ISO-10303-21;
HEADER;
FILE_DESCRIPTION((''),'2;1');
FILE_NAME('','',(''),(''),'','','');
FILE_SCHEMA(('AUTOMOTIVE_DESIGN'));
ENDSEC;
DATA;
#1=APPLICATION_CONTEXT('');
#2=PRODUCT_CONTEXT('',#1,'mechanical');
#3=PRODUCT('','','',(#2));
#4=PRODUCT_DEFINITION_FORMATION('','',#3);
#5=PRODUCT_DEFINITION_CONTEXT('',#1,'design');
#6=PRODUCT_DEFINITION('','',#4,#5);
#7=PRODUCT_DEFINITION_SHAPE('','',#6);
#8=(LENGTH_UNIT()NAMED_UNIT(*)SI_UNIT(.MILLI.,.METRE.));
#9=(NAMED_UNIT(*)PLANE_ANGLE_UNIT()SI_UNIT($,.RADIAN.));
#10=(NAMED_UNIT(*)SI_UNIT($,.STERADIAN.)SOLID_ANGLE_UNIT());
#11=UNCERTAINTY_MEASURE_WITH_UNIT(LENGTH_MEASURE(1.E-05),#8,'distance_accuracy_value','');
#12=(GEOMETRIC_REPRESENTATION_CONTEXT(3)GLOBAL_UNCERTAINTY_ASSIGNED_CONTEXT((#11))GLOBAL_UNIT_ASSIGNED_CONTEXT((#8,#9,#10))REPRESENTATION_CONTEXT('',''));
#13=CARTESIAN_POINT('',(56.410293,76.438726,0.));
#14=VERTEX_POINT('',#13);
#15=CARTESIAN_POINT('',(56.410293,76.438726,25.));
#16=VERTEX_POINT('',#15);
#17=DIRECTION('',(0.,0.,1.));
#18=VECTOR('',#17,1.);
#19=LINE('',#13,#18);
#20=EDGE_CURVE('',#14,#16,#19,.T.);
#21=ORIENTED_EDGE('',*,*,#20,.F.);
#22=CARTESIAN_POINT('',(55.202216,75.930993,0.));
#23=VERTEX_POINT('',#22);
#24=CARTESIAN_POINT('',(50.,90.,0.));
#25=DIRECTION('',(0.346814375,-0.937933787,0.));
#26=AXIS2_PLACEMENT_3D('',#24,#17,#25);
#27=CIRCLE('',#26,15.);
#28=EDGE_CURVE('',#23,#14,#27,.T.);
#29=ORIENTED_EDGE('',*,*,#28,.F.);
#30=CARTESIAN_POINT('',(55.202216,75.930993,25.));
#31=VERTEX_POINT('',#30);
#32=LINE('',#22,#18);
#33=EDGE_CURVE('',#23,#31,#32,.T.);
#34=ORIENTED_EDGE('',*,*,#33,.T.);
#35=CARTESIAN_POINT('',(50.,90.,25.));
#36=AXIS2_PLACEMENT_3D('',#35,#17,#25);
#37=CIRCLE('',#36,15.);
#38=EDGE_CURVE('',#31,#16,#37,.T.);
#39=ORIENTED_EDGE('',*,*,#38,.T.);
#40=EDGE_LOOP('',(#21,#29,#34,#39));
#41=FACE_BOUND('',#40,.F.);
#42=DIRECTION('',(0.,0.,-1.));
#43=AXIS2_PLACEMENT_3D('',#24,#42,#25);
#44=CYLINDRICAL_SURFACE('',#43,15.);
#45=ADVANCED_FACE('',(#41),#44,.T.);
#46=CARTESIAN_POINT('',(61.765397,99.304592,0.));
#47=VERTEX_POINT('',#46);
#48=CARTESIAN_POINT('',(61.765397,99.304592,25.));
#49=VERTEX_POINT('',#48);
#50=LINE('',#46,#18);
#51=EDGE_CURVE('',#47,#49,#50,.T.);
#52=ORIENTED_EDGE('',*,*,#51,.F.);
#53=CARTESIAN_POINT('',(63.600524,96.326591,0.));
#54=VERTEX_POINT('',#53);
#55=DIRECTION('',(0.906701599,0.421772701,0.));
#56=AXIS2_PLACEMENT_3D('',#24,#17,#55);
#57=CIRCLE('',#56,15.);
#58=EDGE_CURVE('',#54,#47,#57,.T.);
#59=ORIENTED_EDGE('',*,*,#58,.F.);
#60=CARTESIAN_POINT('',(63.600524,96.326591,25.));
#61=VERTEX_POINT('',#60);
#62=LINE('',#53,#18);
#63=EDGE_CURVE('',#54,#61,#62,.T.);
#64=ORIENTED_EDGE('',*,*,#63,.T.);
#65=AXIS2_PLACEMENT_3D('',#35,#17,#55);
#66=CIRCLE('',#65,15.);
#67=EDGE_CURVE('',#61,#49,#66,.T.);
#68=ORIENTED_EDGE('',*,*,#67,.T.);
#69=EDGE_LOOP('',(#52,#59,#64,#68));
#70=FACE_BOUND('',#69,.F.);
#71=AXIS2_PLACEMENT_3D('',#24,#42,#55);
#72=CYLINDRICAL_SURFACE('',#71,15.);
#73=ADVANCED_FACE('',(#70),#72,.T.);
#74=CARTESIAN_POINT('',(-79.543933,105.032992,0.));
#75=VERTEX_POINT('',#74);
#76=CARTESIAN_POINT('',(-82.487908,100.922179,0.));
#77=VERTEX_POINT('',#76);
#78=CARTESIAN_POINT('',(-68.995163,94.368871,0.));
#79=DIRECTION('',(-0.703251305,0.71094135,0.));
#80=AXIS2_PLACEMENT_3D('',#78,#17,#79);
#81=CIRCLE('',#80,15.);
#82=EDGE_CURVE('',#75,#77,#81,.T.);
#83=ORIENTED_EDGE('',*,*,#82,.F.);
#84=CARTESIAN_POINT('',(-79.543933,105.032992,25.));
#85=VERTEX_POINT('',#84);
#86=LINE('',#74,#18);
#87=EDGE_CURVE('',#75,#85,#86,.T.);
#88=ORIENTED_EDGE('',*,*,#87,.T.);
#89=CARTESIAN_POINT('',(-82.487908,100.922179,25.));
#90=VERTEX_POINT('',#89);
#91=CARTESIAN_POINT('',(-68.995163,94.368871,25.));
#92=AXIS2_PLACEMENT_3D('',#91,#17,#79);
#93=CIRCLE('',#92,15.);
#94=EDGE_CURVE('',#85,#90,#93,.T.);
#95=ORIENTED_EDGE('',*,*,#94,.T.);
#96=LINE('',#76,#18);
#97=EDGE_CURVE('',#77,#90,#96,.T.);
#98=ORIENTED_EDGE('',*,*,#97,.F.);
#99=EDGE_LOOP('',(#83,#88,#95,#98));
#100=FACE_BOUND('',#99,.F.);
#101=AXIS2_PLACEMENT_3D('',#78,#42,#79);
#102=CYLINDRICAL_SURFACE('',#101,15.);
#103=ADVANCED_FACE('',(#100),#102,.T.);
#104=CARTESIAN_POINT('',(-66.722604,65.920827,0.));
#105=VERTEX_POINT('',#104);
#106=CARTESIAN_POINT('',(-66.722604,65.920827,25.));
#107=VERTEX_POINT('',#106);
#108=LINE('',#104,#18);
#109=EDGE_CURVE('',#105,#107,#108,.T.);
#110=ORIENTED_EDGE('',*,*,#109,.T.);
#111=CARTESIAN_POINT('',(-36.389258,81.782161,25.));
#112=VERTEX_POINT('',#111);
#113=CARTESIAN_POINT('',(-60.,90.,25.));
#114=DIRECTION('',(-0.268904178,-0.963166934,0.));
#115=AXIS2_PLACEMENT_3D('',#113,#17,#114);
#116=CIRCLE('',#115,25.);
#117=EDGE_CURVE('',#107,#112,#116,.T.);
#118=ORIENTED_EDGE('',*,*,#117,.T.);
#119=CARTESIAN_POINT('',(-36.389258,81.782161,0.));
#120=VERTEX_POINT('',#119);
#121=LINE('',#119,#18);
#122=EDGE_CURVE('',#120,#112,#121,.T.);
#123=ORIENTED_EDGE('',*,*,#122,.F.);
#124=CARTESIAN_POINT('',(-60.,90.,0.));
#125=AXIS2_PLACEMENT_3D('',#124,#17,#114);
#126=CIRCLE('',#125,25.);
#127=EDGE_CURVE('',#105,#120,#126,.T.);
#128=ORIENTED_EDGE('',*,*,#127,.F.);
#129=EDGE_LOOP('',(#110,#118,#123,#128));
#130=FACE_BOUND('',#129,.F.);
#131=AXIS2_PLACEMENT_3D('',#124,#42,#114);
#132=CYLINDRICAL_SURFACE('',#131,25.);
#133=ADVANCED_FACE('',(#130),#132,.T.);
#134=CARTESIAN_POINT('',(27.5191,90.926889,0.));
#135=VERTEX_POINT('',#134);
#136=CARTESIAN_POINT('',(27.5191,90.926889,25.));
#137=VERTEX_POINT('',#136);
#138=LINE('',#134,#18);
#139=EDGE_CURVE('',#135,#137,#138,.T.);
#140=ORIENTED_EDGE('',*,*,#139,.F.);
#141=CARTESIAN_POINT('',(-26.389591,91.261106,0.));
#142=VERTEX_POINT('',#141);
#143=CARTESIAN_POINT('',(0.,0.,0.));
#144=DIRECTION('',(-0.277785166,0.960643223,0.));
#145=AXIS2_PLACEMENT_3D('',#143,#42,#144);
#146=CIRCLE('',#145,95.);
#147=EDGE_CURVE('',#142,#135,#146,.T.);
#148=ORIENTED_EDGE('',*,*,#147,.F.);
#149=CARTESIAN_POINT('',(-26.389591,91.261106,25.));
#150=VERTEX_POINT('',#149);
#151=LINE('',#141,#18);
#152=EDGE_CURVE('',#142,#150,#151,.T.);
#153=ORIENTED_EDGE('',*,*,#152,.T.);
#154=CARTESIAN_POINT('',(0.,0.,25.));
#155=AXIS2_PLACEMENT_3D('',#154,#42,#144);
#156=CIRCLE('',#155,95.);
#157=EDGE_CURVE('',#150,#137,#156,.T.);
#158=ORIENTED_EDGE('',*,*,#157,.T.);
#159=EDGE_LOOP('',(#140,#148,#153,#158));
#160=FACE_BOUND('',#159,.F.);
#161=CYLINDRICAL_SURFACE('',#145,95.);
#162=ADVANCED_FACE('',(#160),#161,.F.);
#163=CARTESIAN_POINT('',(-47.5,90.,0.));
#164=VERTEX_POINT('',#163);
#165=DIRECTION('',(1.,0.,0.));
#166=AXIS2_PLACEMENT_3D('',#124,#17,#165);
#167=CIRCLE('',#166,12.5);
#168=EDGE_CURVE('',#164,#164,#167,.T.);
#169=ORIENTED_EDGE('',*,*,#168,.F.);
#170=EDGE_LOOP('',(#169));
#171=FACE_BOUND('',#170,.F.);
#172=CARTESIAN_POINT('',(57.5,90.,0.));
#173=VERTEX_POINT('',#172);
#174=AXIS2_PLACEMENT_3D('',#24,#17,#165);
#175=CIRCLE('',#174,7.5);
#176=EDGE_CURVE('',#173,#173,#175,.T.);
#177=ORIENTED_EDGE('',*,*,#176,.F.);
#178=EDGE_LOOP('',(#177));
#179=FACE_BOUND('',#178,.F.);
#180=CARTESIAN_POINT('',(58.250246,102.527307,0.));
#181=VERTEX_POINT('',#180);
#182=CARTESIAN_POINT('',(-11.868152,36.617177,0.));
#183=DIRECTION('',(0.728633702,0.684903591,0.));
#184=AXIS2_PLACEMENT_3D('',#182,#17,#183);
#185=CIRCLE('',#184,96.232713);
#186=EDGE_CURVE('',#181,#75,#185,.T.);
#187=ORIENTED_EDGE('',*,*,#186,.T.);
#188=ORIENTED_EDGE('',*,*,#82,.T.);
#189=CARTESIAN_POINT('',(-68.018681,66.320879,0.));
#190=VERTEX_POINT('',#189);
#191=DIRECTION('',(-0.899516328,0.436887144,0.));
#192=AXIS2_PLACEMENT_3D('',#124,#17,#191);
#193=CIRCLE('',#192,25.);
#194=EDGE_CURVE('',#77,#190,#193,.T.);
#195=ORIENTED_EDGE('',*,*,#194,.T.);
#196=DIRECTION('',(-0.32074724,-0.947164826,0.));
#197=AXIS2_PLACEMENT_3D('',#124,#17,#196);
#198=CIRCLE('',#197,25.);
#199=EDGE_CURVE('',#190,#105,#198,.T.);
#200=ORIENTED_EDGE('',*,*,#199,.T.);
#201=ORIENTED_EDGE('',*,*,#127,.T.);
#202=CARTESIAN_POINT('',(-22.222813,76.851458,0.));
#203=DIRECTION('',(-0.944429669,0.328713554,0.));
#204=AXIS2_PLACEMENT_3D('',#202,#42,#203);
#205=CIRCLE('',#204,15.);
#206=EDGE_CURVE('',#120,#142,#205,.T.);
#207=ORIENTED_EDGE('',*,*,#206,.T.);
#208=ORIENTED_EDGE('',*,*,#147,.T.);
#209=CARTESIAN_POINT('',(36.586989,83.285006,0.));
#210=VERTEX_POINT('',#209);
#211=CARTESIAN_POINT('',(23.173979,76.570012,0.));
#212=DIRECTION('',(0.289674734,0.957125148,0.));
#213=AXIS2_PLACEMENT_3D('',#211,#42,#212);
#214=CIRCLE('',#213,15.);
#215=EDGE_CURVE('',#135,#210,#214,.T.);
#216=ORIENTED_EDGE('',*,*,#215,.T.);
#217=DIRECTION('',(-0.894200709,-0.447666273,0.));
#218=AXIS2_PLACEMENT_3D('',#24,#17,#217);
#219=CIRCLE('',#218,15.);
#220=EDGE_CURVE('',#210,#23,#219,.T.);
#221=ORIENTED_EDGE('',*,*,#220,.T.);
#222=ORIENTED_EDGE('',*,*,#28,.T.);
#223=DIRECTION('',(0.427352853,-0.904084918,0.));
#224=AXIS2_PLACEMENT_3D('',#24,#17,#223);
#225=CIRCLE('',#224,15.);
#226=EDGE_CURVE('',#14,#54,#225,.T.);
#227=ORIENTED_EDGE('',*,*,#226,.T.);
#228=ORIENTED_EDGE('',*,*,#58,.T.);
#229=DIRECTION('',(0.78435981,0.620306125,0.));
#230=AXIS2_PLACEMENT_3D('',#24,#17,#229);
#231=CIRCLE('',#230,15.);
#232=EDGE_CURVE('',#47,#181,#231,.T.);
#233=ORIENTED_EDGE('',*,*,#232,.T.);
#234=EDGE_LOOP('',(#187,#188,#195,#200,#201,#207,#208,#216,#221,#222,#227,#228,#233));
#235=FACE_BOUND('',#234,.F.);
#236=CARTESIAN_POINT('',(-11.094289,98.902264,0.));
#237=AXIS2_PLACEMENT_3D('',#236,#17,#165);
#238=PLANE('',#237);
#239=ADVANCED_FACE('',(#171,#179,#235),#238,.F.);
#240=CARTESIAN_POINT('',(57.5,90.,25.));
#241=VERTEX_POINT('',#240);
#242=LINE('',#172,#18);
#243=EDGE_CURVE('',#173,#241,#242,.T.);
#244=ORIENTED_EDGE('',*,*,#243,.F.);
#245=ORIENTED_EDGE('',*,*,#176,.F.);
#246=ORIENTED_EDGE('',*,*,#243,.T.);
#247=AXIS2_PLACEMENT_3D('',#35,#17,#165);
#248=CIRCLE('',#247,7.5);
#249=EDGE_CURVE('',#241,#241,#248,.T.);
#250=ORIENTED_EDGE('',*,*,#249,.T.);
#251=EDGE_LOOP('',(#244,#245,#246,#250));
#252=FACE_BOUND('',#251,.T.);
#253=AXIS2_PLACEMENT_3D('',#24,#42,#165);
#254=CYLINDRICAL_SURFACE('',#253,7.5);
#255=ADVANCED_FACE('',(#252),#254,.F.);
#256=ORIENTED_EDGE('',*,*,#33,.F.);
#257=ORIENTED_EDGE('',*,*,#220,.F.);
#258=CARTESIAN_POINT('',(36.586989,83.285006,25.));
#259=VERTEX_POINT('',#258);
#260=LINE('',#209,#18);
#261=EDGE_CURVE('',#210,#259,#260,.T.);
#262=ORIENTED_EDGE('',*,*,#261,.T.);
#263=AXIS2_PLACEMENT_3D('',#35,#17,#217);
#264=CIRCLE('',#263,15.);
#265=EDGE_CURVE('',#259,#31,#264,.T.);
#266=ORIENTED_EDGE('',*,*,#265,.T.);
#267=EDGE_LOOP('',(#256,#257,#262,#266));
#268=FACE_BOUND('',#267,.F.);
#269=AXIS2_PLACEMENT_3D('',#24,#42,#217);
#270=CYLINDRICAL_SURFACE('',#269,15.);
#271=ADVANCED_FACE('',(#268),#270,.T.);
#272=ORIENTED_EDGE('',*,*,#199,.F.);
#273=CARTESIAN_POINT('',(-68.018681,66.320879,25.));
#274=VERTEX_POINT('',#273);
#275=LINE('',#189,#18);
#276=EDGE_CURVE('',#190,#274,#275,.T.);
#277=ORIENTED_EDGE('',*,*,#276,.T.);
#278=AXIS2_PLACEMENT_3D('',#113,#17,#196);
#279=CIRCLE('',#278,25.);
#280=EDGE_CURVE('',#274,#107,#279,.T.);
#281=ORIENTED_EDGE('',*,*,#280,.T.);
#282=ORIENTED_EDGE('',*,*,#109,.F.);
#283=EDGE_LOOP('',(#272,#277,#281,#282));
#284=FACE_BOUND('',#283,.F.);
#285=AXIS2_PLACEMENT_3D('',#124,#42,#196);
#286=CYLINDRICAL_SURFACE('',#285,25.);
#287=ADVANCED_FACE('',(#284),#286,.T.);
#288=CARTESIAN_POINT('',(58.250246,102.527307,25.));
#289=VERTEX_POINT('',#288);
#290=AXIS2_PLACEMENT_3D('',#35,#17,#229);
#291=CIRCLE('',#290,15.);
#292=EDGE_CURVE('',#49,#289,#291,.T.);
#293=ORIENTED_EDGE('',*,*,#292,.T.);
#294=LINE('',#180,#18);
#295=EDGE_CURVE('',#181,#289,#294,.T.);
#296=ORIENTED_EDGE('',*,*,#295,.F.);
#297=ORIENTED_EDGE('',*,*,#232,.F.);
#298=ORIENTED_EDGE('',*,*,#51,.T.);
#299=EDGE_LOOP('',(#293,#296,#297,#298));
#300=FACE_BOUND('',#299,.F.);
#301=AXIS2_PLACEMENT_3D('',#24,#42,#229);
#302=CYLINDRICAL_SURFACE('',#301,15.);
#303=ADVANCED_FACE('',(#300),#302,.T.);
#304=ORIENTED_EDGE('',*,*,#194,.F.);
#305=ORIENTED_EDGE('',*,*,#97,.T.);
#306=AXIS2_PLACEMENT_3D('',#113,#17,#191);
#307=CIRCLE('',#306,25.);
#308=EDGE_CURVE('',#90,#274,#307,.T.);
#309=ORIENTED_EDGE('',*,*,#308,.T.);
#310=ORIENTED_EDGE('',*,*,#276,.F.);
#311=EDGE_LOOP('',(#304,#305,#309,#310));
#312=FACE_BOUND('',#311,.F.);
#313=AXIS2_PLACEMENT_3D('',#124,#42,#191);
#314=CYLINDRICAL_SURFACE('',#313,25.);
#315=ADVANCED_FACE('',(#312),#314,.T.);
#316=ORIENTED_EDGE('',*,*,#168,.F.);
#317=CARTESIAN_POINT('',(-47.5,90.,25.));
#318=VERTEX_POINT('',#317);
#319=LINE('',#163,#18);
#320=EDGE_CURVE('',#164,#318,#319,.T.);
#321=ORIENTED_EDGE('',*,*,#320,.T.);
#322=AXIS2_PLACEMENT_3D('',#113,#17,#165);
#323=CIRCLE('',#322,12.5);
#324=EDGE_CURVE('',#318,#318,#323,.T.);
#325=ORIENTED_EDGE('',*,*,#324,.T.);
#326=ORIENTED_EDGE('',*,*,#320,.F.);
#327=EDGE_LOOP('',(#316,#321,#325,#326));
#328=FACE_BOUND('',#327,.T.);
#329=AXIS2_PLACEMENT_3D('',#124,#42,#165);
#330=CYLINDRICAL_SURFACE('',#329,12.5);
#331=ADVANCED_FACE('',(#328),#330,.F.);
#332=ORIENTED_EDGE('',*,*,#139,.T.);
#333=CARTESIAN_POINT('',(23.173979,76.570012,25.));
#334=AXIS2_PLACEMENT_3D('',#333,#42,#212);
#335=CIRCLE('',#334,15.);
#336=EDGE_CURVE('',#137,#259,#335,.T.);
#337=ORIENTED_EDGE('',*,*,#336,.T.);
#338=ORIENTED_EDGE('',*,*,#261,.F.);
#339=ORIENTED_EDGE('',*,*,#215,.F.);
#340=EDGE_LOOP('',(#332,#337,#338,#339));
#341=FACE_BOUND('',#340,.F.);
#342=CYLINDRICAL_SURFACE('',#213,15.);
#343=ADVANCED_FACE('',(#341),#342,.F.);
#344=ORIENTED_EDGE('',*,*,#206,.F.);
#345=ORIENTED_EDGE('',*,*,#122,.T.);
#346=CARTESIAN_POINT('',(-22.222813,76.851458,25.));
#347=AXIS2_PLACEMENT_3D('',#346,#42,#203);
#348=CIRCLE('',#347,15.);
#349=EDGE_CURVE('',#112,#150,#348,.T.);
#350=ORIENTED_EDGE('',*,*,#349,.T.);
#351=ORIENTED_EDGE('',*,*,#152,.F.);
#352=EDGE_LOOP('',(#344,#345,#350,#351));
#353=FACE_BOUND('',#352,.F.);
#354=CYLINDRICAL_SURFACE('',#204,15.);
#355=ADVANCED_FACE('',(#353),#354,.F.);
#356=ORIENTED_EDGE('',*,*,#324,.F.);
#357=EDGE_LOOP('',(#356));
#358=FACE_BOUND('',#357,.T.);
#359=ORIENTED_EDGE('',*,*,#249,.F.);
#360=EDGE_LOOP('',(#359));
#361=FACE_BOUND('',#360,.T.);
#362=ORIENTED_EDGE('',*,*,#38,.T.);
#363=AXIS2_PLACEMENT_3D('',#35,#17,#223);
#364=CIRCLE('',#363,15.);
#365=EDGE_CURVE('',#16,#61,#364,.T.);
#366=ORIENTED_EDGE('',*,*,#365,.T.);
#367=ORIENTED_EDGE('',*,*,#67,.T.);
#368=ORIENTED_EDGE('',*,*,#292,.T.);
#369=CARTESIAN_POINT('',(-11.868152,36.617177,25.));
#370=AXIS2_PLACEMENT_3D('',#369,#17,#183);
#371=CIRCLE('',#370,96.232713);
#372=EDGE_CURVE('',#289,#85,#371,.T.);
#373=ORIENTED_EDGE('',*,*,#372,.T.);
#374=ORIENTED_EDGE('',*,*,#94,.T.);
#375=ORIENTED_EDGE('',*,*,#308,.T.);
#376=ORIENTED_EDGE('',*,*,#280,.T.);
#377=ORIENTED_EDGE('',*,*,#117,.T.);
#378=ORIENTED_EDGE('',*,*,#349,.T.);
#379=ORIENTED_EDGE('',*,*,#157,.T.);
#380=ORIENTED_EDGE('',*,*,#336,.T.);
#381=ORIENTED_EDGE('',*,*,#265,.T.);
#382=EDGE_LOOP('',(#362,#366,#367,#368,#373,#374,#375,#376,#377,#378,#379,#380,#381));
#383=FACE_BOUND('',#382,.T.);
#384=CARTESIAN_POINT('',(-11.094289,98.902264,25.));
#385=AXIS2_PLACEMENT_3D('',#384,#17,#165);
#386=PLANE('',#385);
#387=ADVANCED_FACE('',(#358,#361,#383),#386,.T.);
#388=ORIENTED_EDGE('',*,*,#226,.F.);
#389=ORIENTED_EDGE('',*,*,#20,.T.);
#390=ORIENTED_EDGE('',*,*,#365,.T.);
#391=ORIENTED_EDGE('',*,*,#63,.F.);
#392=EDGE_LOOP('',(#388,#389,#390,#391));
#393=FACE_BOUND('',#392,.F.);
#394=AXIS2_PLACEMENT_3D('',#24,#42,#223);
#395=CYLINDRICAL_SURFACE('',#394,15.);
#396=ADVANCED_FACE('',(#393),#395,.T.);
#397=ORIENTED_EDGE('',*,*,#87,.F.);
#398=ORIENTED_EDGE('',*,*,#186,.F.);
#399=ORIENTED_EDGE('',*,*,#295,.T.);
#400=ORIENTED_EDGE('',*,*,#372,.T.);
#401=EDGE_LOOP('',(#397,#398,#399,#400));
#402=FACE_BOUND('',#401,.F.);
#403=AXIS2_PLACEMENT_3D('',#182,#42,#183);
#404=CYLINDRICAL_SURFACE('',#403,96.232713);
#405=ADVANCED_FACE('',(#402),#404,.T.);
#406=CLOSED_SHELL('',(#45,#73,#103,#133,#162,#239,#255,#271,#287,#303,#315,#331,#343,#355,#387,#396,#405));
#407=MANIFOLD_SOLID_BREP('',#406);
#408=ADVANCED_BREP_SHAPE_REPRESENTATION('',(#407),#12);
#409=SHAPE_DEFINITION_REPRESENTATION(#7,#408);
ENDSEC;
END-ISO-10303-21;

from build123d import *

# Parameters (mm, degrees)
F0_R     = 12.5
F0_R_2   = 7.5
F1_DEPTH = 25


with BuildPart() as f1:
    # F0 (on Top) → F1 (new body)
    with BuildSketch(Plane.XY):
        with BuildLine():
            ThreePointArc((-79.5439328464, 105.0329916801), (-81.1903795815, 103.1025246973), (-82.4879081903, 100.9221785934))
            ThreePointArc((-82.4879081903, 100.9221785934), (-83.0645935002, 80.3550776743), (-68.0186809889, 66.3208793407))
            ThreePointArc((-68.0186809889, 66.3208793407), (-67.296498316, 67.0535704822), (-66.5664236158, 67.7783980852))
            ThreePointArc((-66.5664236158, 67.7783980852), (-66.6515105536, 66.8502006193), (-66.7226044544, 65.9208266473))
            ThreePointArc((-66.7226044544, 65.9208266473), (-48.415623534, 67.8459434438), (-36.3892582797, 81.7821611469))
            ThreePointArc((-36.3892582797, 81.7821611469), (-32.5421815269, 87.7377169865), (-26.3895907314, 91.2611061791))
            ThreePointArc((-26.3895907314, 91.2611061791), (0.5889591855, 94.9981743355), (27.5190997352, 90.926889036))
            ThreePointArc((27.5190997352, 90.926889036), (32.8402812409, 88.0400857367), (36.5869893622, 83.2850059099))
            ThreePointArc((36.5869893622, 83.2850059099), (44.4886785219, 76.049181545), (55.2022156282, 75.9309931922))
            ThreePointArc((55.2022156282, 75.9309931922), (54.9958309784, 76.7755396556), (54.7775992327, 77.6171026405))
            ThreePointArc((54.7775992327, 77.6171026405), (55.5970680513, 77.0322401602), (56.4102927908, 76.4387262274))
            ThreePointArc((56.4102927908, 76.4387262274), (64.1063809456, 84.8999983709), (63.6005239797, 96.3265905096))
            ThreePointArc((63.6005239797, 96.3265905096), (61.3548283708, 99.0601930849), (59.0101731037, 101.7094049462))
            ThreePointArc((59.0101731037, 101.7094049462), (58.1789475446, 102.4000301137), (57.3401107186, 103.0813903939))
            ThreePointArc((57.3401107186, 103.0813903939), (57.8001000902, 102.8124329689), (58.2502464871, 102.5273074881))
            ThreePointArc((58.2502464871, 102.5273074881), (-10.1185209211, 132.8339833721), (-79.5439328464, 105.0329916801))
        make_face()
        with Locations((-60, 90)):
            Circle(F0_R, mode=Mode.SUBTRACT)
        with Locations((50, 90)):
            Circle(F0_R_2, mode=Mode.SUBTRACT)
        with BuildLine():
            ThreePointArc((-66.5664236158, 67.7783980852), (-67.296498316, 67.0535704822), (-68.0186809889, 66.3208793407))
            ThreePointArc((-68.0186809889, 66.3208793407), (-67.3733564047, 66.1120613001), (-66.7226044544, 65.9208266473))
            ThreePointArc((-66.7226044544, 65.9208266473), (-66.6515105536, 66.8502006193), (-66.5664236158, 67.7783980852))
        make_face()
        with BuildLine():
            ThreePointArc((59.0101731037, 101.7094049462), (58.6313959204, 102.1194582653), (58.2502464871, 102.5273074881))
            ThreePointArc((58.2502464871, 102.5273074881), (57.8001000902, 102.8124329689), (57.3401107186, 103.0813903939))
            ThreePointArc((57.3401107186, 103.0813903939), (58.1789475446, 102.4000301137), (59.0101731037, 101.7094049462))
        make_face()
        with BuildLine():
            ThreePointArc((61.7653971487, 99.3045918735), (60.1367140397, 101.056537816), (58.2502464871, 102.5273074881))
            ThreePointArc((58.2502464871, 102.5273074881), (58.6313959204, 102.1194582653), (59.0101731037, 101.7094049462))
            ThreePointArc((59.0101731037, 101.7094049462), (60.3990725447, 100.5199305447), (61.7653971487, 99.3045918736))
        make_face()
        with BuildLine():
            ThreePointArc((63.6005239797, 96.3265905096), (62.7700670204, 97.8692685998), (61.7653971487, 99.3045918735))
            ThreePointArc((61.7653971487, 99.3045918736), (60.3990725447, 100.5199305447), (59.0101731037, 101.7094049462))
            ThreePointArc((59.0101731037, 101.7094049462), (61.3548283708, 99.0601930849), (63.6005239797, 96.3265905096))
        make_face()
        with BuildLine():
            ThreePointArc((55.2022156282, 75.9309931922), (55.8118014552, 76.1716608428), (56.4102927908, 76.4387262274))
            ThreePointArc((56.4102927908, 76.4387262274), (55.5970680513, 77.0322401602), (54.7775992327, 77.6171026405))
            ThreePointArc((54.7775992327, 77.6171026405), (54.9958309784, 76.7755396556), (55.2022156282, 75.9309931922))
        make_face()
    extrude(amount=F1_DEPTH)


solid = f1.part
